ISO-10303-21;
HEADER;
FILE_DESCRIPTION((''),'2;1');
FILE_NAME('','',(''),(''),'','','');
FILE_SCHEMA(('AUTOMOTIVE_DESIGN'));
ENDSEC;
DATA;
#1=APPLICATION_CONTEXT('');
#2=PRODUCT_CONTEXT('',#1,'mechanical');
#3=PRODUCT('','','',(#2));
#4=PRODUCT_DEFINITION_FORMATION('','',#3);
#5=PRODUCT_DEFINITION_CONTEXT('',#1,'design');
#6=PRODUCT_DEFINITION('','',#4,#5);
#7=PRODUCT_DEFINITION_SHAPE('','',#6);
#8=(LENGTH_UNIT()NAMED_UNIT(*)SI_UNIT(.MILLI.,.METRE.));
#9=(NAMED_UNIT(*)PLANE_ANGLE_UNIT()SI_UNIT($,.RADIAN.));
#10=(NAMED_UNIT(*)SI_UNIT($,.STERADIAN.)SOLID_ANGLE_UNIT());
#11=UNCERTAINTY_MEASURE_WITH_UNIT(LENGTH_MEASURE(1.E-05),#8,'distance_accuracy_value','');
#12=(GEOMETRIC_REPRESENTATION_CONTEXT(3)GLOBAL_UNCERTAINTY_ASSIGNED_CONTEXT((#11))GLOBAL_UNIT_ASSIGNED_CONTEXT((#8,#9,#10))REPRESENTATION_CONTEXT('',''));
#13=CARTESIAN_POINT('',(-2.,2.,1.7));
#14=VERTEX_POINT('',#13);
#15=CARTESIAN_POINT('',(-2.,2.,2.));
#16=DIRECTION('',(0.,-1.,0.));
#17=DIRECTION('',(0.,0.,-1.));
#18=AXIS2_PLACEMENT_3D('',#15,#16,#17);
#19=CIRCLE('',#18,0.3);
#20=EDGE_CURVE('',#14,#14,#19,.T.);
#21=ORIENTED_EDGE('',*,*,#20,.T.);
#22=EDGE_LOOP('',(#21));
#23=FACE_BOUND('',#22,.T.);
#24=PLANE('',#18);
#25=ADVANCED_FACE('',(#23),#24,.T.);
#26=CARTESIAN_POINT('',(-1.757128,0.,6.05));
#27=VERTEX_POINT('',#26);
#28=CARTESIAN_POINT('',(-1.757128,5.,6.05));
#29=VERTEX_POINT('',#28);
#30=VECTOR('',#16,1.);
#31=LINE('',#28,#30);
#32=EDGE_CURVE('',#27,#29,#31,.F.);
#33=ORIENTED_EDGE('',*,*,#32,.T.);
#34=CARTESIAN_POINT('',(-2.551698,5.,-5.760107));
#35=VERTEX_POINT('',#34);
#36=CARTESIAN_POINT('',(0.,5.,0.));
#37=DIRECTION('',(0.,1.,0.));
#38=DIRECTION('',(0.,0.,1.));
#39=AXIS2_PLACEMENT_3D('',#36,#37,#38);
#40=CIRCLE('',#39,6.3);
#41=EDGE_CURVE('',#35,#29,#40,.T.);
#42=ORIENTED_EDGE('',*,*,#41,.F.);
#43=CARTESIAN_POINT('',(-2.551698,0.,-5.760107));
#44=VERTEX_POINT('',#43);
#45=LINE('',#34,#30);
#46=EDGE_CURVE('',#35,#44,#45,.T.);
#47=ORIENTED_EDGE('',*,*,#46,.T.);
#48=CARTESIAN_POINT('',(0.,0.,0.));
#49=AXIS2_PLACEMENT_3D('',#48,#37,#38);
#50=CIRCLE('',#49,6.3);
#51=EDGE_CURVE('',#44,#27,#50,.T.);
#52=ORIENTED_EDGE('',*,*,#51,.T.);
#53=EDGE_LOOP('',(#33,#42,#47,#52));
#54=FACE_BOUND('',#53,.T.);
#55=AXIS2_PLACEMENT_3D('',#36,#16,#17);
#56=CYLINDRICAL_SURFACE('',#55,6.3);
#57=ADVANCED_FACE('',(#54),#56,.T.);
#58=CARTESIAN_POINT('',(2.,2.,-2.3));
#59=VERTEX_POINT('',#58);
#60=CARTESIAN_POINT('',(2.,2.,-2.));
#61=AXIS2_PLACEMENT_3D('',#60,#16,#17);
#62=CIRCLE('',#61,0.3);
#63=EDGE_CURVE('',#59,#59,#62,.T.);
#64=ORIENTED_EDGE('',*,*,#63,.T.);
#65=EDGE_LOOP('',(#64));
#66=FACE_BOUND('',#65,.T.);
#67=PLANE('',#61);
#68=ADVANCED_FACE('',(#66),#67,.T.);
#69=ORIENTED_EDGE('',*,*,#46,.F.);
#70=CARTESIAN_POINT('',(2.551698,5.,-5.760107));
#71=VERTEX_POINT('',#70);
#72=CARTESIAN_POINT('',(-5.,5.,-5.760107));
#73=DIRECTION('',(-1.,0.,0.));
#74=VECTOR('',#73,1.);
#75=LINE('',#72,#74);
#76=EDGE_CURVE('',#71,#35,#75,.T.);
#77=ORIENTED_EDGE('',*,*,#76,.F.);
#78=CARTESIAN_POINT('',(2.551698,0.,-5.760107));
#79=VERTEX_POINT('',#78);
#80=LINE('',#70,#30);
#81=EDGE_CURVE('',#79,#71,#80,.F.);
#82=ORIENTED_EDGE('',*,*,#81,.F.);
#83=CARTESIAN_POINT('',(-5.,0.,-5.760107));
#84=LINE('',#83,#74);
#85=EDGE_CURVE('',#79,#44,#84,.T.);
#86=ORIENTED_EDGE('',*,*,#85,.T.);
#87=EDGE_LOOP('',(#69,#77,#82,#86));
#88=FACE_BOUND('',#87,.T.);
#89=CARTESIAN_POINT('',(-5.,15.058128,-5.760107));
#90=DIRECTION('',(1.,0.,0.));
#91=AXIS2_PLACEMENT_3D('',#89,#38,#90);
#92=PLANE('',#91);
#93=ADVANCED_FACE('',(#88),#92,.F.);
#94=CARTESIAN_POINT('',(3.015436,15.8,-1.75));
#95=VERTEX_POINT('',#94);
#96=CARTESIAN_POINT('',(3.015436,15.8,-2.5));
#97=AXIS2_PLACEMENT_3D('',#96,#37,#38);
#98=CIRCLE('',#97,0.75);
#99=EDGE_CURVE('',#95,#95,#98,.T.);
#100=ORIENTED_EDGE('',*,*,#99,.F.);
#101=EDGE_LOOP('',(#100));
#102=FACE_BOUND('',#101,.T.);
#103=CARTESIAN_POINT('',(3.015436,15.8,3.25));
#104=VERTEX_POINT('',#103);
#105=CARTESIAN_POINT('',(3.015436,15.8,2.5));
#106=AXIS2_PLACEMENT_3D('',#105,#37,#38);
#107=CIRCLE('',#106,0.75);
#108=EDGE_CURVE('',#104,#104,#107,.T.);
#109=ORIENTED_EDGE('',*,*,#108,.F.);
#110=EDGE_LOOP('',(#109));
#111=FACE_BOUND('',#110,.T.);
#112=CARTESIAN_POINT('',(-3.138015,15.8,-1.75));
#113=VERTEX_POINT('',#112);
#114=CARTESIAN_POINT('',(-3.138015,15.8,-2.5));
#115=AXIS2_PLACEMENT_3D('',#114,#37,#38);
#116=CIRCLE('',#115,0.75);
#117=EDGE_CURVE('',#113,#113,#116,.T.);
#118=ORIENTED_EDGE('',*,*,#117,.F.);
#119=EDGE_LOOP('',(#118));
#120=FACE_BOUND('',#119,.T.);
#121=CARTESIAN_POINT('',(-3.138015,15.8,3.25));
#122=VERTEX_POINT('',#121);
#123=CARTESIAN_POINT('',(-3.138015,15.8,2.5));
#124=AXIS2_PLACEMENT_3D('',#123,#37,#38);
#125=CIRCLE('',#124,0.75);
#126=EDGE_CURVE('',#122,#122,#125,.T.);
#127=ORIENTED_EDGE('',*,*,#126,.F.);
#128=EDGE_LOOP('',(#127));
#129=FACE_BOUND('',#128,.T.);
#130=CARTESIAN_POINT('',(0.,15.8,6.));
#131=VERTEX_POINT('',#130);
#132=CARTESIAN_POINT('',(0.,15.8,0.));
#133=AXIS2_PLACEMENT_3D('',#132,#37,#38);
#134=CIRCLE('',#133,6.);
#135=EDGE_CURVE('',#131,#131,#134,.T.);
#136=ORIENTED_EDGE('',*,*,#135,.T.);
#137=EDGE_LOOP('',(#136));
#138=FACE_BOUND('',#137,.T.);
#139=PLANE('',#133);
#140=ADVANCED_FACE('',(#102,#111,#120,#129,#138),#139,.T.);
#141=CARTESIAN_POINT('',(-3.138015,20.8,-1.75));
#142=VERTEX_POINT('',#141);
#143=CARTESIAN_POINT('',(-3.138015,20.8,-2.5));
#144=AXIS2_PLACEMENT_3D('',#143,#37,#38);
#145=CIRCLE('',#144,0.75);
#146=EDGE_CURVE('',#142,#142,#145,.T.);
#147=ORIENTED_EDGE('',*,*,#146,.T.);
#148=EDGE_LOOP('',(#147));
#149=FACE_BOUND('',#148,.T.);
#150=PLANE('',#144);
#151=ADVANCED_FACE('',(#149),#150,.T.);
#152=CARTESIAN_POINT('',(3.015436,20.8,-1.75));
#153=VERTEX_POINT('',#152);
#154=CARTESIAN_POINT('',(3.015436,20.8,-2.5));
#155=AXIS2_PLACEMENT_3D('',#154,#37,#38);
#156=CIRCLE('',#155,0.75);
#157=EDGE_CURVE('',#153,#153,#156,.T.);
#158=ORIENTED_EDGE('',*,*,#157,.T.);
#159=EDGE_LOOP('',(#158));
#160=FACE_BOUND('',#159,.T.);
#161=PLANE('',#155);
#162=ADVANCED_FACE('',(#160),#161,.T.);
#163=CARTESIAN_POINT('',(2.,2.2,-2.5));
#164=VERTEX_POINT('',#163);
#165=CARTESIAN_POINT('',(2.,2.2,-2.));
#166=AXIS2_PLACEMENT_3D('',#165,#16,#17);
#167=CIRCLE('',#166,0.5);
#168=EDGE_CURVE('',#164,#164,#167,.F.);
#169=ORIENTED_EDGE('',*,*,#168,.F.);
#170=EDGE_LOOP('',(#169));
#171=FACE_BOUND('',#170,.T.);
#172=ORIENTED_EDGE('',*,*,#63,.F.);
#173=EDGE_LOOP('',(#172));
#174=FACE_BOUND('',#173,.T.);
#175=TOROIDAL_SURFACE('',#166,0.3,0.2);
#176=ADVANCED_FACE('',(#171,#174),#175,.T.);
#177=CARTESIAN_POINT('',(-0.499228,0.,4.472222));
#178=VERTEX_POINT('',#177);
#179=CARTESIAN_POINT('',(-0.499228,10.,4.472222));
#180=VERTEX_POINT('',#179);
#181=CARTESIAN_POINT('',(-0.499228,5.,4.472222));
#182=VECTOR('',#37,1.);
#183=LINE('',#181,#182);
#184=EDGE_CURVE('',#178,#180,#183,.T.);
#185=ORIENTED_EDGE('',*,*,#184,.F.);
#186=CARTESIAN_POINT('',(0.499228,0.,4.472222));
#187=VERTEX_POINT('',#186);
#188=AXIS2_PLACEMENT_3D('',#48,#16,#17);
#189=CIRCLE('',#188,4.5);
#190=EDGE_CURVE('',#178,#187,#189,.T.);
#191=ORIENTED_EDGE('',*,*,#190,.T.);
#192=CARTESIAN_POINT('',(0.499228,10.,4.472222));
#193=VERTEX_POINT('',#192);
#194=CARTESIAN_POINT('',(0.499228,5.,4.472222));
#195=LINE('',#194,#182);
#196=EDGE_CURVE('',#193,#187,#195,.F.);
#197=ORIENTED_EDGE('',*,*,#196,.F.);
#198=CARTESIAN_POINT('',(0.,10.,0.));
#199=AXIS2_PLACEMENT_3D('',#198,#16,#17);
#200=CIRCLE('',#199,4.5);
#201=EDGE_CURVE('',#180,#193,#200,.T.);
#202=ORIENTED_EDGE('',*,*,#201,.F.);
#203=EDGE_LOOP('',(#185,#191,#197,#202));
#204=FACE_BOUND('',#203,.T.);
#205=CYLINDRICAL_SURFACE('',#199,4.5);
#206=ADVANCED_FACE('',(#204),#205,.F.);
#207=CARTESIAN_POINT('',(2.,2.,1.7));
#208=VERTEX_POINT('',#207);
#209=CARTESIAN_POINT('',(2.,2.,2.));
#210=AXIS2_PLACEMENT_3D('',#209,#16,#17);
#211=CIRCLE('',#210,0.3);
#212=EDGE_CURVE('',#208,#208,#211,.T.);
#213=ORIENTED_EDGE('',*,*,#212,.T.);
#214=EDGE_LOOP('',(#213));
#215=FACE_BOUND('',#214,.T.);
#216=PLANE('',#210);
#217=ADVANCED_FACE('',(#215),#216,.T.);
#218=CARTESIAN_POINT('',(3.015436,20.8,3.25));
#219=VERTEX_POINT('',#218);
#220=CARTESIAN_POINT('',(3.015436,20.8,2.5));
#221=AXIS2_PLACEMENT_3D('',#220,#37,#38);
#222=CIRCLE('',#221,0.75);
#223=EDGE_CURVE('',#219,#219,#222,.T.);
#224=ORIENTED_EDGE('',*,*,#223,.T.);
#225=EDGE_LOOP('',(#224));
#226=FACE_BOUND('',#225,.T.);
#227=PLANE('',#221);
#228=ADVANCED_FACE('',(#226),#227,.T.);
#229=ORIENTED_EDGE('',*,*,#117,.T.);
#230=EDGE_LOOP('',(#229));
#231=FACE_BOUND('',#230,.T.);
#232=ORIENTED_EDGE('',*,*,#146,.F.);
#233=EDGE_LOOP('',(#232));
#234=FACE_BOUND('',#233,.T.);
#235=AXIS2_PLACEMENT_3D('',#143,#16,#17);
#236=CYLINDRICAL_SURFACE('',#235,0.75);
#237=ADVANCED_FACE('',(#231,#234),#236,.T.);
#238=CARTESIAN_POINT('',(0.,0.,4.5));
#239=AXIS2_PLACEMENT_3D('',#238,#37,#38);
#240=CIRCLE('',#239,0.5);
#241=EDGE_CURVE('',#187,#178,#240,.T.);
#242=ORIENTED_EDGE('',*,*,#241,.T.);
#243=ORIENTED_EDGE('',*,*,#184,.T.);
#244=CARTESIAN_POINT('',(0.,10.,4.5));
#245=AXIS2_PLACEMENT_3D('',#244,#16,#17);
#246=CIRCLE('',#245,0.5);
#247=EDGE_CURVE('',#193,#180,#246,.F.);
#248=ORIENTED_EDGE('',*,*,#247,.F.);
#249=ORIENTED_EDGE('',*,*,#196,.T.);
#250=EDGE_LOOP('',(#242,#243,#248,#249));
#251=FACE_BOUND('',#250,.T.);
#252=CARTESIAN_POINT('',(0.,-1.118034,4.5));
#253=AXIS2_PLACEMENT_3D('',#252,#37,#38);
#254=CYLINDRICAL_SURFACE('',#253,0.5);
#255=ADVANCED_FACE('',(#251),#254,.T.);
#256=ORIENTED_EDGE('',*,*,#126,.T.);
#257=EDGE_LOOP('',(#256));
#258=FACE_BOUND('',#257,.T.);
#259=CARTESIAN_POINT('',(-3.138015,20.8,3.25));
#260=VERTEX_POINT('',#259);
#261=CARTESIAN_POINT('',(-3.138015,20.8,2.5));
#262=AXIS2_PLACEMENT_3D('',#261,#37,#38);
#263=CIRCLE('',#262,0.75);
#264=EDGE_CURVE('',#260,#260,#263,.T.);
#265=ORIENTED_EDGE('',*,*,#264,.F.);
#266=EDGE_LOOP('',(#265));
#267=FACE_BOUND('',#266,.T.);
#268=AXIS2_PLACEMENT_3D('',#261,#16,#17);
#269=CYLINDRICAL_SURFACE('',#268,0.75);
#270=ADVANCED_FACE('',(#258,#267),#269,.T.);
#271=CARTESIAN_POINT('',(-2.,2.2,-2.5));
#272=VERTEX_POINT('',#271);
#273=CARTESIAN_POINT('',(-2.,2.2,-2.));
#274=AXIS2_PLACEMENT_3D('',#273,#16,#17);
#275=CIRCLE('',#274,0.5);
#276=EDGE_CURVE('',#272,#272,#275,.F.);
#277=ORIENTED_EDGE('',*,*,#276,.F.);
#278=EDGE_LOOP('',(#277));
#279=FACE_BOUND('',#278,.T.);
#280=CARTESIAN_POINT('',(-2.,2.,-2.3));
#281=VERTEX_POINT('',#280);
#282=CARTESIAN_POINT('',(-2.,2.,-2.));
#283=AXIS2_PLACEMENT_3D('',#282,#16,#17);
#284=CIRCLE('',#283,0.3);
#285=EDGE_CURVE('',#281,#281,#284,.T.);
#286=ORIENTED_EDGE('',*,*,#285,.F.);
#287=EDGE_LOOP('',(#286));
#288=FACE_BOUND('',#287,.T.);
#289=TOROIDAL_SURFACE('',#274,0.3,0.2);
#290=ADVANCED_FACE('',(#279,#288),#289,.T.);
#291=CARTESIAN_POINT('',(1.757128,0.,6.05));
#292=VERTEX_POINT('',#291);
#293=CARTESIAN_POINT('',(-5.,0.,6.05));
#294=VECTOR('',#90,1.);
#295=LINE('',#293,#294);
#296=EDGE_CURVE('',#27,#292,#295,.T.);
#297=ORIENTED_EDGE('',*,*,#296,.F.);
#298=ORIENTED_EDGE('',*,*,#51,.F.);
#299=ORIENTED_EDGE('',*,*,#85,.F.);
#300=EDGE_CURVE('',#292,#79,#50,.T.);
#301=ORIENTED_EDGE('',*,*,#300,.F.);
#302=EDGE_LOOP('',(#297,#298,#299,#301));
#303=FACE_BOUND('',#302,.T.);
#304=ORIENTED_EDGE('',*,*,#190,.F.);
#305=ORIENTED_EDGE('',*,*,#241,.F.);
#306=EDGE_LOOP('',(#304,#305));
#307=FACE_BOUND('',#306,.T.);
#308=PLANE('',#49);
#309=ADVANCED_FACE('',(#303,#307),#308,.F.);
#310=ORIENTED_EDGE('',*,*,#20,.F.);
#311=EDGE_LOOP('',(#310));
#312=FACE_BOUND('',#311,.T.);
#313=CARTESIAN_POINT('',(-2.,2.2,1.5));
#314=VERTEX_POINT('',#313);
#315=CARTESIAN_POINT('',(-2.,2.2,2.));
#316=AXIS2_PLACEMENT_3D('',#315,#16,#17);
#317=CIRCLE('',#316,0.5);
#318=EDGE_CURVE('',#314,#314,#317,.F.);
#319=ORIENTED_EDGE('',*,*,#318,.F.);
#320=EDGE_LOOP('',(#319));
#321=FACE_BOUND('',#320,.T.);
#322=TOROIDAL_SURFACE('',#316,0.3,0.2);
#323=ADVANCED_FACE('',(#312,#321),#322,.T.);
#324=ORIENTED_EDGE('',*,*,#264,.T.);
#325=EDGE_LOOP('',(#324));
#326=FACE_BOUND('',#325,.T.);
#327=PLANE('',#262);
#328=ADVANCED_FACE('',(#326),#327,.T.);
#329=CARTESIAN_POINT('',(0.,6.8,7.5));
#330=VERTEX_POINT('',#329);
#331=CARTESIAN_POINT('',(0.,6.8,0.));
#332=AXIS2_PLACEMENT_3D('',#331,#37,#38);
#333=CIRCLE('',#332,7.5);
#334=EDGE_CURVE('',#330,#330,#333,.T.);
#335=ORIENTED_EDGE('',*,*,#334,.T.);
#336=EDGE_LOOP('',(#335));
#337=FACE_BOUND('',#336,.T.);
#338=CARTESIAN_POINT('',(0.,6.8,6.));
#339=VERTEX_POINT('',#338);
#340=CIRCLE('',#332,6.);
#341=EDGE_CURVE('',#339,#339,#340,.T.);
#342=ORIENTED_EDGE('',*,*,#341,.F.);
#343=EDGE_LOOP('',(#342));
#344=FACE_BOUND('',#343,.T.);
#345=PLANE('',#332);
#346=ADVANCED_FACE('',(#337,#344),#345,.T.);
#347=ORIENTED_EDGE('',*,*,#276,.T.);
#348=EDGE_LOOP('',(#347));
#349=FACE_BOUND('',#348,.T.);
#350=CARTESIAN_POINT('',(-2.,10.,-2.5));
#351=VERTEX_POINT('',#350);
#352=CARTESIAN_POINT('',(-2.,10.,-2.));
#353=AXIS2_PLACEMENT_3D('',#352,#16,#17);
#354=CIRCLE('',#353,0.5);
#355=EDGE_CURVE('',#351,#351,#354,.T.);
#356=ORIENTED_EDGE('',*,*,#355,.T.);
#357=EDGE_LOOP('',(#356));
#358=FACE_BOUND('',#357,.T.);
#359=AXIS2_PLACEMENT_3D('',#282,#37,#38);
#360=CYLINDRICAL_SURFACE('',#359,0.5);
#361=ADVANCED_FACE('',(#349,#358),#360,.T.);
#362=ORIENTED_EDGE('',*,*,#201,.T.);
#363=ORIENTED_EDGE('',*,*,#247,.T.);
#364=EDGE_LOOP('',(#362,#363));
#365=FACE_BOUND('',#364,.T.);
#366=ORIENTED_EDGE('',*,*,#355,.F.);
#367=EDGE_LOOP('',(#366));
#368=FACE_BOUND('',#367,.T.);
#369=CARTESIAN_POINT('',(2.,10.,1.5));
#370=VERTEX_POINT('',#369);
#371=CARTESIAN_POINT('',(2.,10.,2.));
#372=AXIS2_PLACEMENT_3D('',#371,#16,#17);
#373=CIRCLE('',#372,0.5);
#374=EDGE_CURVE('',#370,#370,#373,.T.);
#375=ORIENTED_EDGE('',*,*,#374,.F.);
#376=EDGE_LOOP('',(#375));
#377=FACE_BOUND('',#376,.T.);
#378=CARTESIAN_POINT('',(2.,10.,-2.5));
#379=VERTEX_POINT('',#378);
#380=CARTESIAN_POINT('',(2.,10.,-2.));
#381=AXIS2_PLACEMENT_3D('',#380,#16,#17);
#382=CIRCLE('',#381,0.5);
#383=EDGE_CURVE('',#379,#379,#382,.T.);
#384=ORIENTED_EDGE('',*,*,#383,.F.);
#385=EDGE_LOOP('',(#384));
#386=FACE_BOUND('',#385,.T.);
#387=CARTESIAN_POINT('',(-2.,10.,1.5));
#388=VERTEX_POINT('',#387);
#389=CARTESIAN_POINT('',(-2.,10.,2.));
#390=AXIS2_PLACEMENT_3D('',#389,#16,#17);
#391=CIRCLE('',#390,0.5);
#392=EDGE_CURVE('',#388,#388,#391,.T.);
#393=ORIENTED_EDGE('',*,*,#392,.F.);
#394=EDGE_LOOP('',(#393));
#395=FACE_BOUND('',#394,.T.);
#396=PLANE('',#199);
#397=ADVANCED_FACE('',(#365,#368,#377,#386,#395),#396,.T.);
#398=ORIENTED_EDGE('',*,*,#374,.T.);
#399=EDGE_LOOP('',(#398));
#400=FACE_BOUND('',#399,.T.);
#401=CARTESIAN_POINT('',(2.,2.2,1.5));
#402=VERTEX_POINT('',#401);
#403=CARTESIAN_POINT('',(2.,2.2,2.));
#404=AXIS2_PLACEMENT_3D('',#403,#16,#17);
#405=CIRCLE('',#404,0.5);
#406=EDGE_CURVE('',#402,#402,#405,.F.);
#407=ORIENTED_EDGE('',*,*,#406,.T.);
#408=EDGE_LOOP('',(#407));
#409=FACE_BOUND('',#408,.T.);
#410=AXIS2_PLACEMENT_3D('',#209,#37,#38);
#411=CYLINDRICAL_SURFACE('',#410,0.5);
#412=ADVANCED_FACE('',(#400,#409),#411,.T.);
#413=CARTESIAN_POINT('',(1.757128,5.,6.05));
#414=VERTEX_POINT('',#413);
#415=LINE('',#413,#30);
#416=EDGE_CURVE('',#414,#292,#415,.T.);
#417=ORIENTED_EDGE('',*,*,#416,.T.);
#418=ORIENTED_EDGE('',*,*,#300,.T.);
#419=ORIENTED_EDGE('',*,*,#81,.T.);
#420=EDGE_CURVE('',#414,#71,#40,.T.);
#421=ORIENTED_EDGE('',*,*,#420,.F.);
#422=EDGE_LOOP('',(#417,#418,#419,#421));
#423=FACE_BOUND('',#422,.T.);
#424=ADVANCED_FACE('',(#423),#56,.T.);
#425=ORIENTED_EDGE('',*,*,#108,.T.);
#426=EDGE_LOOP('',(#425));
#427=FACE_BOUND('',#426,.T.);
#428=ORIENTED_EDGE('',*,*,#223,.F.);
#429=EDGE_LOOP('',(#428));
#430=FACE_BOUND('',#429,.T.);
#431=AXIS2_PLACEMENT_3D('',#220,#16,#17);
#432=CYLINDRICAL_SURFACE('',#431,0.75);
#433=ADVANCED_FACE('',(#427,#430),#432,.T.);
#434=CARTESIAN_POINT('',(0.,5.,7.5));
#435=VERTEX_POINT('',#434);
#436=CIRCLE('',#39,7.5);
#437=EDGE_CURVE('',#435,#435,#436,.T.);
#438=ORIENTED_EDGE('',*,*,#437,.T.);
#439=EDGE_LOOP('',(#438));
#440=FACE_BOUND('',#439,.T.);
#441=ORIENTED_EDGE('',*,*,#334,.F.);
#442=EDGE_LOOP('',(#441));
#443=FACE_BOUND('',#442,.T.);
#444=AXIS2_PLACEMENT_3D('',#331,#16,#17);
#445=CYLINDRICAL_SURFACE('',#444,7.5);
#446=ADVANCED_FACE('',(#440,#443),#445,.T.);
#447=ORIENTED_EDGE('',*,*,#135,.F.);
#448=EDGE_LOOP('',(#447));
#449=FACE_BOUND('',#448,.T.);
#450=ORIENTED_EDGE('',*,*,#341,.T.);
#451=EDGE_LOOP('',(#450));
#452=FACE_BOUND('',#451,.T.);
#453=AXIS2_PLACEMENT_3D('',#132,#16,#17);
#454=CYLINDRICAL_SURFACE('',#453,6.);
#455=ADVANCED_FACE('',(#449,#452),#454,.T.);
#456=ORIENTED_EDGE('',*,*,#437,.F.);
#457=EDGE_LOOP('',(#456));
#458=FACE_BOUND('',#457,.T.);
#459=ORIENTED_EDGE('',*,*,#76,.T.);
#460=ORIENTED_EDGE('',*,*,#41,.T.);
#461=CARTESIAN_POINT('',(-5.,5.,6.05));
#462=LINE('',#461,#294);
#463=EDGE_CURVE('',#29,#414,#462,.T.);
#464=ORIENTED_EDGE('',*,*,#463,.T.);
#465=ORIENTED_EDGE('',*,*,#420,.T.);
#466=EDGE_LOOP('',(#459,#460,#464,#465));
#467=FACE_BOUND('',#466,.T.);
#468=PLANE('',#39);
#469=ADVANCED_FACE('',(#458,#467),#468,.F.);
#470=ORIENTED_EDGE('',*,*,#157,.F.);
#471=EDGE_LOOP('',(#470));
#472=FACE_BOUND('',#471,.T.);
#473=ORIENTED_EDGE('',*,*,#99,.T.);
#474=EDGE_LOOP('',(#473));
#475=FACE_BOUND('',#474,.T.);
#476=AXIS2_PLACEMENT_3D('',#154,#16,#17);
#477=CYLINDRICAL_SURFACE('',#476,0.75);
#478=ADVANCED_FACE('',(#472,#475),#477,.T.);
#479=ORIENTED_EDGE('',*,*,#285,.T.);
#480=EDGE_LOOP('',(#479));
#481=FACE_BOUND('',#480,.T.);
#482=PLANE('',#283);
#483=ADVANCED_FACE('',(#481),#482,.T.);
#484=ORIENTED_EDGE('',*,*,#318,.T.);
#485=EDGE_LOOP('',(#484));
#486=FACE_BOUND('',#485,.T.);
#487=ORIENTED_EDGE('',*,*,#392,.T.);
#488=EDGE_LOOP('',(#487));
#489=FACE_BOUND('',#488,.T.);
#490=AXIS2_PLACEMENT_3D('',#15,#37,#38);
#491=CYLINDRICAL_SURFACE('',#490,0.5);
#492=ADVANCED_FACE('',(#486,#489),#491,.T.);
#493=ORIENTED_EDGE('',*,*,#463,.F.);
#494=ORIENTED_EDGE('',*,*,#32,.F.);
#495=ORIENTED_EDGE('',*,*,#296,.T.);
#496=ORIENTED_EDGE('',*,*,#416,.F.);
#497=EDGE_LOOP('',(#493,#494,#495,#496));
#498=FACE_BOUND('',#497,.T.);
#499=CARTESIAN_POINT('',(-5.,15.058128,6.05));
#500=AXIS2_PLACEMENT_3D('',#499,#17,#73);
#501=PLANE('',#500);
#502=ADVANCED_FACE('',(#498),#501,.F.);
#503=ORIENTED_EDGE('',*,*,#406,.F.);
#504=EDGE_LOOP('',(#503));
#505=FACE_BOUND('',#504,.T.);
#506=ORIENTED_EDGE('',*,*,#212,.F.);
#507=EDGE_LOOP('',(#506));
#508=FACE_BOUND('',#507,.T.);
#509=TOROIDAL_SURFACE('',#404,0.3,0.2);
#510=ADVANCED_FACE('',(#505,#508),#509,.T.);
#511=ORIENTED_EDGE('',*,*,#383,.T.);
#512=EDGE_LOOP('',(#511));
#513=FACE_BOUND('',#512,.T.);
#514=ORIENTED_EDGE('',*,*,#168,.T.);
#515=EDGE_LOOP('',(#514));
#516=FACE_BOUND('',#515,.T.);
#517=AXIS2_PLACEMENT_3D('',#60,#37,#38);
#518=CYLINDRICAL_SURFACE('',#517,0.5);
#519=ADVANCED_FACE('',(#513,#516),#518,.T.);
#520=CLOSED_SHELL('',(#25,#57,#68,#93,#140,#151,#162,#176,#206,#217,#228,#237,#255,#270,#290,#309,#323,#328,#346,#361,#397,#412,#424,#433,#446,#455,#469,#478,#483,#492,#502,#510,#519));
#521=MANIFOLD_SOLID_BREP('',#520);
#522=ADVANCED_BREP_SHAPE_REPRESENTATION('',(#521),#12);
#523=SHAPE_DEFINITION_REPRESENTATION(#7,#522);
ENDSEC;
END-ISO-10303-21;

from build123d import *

# Parameters (mm, degrees)
SKETCH1_R           = 6.3
BOSS_EXTRUDE1_DEPTH = 5
SKETCH2_R           = 7.5
BOSS_EXTRUDE2_DEPTH = 1.8
SKETCH3_R           = 6
BOSS_EXTRUDE3_DEPTH = 9
SKETCH4_R           = 4.5
CUT_EXTRUDE1_DEPTH  = 10
BOSS_EXTRUDE4_DEPTH = 10
SKETCH6_R           = 0.5
BOSS_EXTRUDE5_DEPTH = 8
FILLET1_R           = 0.2
SKETCH7_R           = 0.75
BOSS_EXTRUDE6_DEPTH = 5
SKETCH8_W           = 10
SKETCH8_H           = 0.5
SKETCH8_H_2         = 1.079785018
CUT_EXTRUDE2_DEPTH  = 5


with BuildPart() as part:
    # Sketch1 → Boss-Extrude1 (new body)
    with BuildSketch(Plane(origin=(0, 0, 0), x_dir=(1, 0, 0), z_dir=(0, 1, 0))):
        Circle(SKETCH1_R)
    extrude(amount=BOSS_EXTRUDE1_DEPTH)

    # Sketch2 → Boss-Extrude2 (add)
    with BuildSketch(Plane(origin=(0, 5, 0), x_dir=(1, 0, 0), z_dir=(0, 1, 0))):
        Circle(SKETCH2_R)
    extrude(amount=BOSS_EXTRUDE2_DEPTH)

    # Sketch3 → Boss-Extrude3 (add)
    with BuildSketch(Plane(origin=(0, 6.8, 0), x_dir=(1, 0, 0), z_dir=(0, 1, 0))):
        Circle(SKETCH3_R)
    extrude(amount=BOSS_EXTRUDE3_DEPTH)

    # Sketch4 → Cut-Extrude1 (cut)
    with BuildSketch(Plane.XZ):
        Circle(SKETCH4_R)
    extrude(amount=-CUT_EXTRUDE1_DEPTH, mode=Mode.SUBTRACT)

    # Sketch5 → Boss-Extrude4 (add)
    with BuildSketch(Plane.XZ.offset(-10)):
        with BuildLine():
            Line((-0.5, 4.5), (0.5, 4.5))
            ThreePointArc((0.5, 4.5), (0, 4), (-0.5, 4.5))
        make_face()
    extrude(amount=BOSS_EXTRUDE4_DEPTH)

    # Sketch6 → Boss-Extrude5 (add)
    with BuildSketch(Plane.XZ.offset(-10)):
        with Locations((-2, 2)):
            Circle(SKETCH6_R)
        with Locations((2, 2)):
            Circle(SKETCH6_R)
        with Locations((2, -2)):
            Circle(SKETCH6_R)
        with Locations((-2, -2)):
            Circle(SKETCH6_R)
    extrude(amount=BOSS_EXTRUDE5_DEPTH)

    # Fillet1
    fillet1_edges = [part.edges().sort_by_distance(p)[0] for p in [
        (-2.5, 2, 2),
        (1.5, 2, 2),
        (1.5, 2, -2),
        (-2.5, 2, -2),
    ]]
    fillet(fillet1_edges, radius=FILLET1_R)

    # Sketch7 → Boss-Extrude6 (add)
    with BuildSketch(Plane(origin=(0, 15.8, 0), x_dir=(1, 0, 0), z_dir=(0, 1, 0))):
        with Locations((-3.138015201, 2.5)):
            Circle(SKETCH7_R)
        with Locations((-3.138015201, -2.5)):
            Circle(SKETCH7_R)
        with Locations((3.015436482, -2.5)):
            Circle(SKETCH7_R)
        with Locations((3.015436482, 2.5)):
            Circle(SKETCH7_R)
    extrude(amount=BOSS_EXTRUDE6_DEPTH)

    # Sketch8 → Cut-Extrude2 (cut)
    with BuildSketch(Plane.XZ):
        with Locations((0, 6.3)):
            Rectangle(SKETCH8_W, SKETCH8_H)
        with Locations((0, -6.3)):
            Rectangle(SKETCH8_W, SKETCH8_H_2)
    extrude(amount=-CUT_EXTRUDE2_DEPTH, mode=Mode.SUBTRACT)


solid = part.part
